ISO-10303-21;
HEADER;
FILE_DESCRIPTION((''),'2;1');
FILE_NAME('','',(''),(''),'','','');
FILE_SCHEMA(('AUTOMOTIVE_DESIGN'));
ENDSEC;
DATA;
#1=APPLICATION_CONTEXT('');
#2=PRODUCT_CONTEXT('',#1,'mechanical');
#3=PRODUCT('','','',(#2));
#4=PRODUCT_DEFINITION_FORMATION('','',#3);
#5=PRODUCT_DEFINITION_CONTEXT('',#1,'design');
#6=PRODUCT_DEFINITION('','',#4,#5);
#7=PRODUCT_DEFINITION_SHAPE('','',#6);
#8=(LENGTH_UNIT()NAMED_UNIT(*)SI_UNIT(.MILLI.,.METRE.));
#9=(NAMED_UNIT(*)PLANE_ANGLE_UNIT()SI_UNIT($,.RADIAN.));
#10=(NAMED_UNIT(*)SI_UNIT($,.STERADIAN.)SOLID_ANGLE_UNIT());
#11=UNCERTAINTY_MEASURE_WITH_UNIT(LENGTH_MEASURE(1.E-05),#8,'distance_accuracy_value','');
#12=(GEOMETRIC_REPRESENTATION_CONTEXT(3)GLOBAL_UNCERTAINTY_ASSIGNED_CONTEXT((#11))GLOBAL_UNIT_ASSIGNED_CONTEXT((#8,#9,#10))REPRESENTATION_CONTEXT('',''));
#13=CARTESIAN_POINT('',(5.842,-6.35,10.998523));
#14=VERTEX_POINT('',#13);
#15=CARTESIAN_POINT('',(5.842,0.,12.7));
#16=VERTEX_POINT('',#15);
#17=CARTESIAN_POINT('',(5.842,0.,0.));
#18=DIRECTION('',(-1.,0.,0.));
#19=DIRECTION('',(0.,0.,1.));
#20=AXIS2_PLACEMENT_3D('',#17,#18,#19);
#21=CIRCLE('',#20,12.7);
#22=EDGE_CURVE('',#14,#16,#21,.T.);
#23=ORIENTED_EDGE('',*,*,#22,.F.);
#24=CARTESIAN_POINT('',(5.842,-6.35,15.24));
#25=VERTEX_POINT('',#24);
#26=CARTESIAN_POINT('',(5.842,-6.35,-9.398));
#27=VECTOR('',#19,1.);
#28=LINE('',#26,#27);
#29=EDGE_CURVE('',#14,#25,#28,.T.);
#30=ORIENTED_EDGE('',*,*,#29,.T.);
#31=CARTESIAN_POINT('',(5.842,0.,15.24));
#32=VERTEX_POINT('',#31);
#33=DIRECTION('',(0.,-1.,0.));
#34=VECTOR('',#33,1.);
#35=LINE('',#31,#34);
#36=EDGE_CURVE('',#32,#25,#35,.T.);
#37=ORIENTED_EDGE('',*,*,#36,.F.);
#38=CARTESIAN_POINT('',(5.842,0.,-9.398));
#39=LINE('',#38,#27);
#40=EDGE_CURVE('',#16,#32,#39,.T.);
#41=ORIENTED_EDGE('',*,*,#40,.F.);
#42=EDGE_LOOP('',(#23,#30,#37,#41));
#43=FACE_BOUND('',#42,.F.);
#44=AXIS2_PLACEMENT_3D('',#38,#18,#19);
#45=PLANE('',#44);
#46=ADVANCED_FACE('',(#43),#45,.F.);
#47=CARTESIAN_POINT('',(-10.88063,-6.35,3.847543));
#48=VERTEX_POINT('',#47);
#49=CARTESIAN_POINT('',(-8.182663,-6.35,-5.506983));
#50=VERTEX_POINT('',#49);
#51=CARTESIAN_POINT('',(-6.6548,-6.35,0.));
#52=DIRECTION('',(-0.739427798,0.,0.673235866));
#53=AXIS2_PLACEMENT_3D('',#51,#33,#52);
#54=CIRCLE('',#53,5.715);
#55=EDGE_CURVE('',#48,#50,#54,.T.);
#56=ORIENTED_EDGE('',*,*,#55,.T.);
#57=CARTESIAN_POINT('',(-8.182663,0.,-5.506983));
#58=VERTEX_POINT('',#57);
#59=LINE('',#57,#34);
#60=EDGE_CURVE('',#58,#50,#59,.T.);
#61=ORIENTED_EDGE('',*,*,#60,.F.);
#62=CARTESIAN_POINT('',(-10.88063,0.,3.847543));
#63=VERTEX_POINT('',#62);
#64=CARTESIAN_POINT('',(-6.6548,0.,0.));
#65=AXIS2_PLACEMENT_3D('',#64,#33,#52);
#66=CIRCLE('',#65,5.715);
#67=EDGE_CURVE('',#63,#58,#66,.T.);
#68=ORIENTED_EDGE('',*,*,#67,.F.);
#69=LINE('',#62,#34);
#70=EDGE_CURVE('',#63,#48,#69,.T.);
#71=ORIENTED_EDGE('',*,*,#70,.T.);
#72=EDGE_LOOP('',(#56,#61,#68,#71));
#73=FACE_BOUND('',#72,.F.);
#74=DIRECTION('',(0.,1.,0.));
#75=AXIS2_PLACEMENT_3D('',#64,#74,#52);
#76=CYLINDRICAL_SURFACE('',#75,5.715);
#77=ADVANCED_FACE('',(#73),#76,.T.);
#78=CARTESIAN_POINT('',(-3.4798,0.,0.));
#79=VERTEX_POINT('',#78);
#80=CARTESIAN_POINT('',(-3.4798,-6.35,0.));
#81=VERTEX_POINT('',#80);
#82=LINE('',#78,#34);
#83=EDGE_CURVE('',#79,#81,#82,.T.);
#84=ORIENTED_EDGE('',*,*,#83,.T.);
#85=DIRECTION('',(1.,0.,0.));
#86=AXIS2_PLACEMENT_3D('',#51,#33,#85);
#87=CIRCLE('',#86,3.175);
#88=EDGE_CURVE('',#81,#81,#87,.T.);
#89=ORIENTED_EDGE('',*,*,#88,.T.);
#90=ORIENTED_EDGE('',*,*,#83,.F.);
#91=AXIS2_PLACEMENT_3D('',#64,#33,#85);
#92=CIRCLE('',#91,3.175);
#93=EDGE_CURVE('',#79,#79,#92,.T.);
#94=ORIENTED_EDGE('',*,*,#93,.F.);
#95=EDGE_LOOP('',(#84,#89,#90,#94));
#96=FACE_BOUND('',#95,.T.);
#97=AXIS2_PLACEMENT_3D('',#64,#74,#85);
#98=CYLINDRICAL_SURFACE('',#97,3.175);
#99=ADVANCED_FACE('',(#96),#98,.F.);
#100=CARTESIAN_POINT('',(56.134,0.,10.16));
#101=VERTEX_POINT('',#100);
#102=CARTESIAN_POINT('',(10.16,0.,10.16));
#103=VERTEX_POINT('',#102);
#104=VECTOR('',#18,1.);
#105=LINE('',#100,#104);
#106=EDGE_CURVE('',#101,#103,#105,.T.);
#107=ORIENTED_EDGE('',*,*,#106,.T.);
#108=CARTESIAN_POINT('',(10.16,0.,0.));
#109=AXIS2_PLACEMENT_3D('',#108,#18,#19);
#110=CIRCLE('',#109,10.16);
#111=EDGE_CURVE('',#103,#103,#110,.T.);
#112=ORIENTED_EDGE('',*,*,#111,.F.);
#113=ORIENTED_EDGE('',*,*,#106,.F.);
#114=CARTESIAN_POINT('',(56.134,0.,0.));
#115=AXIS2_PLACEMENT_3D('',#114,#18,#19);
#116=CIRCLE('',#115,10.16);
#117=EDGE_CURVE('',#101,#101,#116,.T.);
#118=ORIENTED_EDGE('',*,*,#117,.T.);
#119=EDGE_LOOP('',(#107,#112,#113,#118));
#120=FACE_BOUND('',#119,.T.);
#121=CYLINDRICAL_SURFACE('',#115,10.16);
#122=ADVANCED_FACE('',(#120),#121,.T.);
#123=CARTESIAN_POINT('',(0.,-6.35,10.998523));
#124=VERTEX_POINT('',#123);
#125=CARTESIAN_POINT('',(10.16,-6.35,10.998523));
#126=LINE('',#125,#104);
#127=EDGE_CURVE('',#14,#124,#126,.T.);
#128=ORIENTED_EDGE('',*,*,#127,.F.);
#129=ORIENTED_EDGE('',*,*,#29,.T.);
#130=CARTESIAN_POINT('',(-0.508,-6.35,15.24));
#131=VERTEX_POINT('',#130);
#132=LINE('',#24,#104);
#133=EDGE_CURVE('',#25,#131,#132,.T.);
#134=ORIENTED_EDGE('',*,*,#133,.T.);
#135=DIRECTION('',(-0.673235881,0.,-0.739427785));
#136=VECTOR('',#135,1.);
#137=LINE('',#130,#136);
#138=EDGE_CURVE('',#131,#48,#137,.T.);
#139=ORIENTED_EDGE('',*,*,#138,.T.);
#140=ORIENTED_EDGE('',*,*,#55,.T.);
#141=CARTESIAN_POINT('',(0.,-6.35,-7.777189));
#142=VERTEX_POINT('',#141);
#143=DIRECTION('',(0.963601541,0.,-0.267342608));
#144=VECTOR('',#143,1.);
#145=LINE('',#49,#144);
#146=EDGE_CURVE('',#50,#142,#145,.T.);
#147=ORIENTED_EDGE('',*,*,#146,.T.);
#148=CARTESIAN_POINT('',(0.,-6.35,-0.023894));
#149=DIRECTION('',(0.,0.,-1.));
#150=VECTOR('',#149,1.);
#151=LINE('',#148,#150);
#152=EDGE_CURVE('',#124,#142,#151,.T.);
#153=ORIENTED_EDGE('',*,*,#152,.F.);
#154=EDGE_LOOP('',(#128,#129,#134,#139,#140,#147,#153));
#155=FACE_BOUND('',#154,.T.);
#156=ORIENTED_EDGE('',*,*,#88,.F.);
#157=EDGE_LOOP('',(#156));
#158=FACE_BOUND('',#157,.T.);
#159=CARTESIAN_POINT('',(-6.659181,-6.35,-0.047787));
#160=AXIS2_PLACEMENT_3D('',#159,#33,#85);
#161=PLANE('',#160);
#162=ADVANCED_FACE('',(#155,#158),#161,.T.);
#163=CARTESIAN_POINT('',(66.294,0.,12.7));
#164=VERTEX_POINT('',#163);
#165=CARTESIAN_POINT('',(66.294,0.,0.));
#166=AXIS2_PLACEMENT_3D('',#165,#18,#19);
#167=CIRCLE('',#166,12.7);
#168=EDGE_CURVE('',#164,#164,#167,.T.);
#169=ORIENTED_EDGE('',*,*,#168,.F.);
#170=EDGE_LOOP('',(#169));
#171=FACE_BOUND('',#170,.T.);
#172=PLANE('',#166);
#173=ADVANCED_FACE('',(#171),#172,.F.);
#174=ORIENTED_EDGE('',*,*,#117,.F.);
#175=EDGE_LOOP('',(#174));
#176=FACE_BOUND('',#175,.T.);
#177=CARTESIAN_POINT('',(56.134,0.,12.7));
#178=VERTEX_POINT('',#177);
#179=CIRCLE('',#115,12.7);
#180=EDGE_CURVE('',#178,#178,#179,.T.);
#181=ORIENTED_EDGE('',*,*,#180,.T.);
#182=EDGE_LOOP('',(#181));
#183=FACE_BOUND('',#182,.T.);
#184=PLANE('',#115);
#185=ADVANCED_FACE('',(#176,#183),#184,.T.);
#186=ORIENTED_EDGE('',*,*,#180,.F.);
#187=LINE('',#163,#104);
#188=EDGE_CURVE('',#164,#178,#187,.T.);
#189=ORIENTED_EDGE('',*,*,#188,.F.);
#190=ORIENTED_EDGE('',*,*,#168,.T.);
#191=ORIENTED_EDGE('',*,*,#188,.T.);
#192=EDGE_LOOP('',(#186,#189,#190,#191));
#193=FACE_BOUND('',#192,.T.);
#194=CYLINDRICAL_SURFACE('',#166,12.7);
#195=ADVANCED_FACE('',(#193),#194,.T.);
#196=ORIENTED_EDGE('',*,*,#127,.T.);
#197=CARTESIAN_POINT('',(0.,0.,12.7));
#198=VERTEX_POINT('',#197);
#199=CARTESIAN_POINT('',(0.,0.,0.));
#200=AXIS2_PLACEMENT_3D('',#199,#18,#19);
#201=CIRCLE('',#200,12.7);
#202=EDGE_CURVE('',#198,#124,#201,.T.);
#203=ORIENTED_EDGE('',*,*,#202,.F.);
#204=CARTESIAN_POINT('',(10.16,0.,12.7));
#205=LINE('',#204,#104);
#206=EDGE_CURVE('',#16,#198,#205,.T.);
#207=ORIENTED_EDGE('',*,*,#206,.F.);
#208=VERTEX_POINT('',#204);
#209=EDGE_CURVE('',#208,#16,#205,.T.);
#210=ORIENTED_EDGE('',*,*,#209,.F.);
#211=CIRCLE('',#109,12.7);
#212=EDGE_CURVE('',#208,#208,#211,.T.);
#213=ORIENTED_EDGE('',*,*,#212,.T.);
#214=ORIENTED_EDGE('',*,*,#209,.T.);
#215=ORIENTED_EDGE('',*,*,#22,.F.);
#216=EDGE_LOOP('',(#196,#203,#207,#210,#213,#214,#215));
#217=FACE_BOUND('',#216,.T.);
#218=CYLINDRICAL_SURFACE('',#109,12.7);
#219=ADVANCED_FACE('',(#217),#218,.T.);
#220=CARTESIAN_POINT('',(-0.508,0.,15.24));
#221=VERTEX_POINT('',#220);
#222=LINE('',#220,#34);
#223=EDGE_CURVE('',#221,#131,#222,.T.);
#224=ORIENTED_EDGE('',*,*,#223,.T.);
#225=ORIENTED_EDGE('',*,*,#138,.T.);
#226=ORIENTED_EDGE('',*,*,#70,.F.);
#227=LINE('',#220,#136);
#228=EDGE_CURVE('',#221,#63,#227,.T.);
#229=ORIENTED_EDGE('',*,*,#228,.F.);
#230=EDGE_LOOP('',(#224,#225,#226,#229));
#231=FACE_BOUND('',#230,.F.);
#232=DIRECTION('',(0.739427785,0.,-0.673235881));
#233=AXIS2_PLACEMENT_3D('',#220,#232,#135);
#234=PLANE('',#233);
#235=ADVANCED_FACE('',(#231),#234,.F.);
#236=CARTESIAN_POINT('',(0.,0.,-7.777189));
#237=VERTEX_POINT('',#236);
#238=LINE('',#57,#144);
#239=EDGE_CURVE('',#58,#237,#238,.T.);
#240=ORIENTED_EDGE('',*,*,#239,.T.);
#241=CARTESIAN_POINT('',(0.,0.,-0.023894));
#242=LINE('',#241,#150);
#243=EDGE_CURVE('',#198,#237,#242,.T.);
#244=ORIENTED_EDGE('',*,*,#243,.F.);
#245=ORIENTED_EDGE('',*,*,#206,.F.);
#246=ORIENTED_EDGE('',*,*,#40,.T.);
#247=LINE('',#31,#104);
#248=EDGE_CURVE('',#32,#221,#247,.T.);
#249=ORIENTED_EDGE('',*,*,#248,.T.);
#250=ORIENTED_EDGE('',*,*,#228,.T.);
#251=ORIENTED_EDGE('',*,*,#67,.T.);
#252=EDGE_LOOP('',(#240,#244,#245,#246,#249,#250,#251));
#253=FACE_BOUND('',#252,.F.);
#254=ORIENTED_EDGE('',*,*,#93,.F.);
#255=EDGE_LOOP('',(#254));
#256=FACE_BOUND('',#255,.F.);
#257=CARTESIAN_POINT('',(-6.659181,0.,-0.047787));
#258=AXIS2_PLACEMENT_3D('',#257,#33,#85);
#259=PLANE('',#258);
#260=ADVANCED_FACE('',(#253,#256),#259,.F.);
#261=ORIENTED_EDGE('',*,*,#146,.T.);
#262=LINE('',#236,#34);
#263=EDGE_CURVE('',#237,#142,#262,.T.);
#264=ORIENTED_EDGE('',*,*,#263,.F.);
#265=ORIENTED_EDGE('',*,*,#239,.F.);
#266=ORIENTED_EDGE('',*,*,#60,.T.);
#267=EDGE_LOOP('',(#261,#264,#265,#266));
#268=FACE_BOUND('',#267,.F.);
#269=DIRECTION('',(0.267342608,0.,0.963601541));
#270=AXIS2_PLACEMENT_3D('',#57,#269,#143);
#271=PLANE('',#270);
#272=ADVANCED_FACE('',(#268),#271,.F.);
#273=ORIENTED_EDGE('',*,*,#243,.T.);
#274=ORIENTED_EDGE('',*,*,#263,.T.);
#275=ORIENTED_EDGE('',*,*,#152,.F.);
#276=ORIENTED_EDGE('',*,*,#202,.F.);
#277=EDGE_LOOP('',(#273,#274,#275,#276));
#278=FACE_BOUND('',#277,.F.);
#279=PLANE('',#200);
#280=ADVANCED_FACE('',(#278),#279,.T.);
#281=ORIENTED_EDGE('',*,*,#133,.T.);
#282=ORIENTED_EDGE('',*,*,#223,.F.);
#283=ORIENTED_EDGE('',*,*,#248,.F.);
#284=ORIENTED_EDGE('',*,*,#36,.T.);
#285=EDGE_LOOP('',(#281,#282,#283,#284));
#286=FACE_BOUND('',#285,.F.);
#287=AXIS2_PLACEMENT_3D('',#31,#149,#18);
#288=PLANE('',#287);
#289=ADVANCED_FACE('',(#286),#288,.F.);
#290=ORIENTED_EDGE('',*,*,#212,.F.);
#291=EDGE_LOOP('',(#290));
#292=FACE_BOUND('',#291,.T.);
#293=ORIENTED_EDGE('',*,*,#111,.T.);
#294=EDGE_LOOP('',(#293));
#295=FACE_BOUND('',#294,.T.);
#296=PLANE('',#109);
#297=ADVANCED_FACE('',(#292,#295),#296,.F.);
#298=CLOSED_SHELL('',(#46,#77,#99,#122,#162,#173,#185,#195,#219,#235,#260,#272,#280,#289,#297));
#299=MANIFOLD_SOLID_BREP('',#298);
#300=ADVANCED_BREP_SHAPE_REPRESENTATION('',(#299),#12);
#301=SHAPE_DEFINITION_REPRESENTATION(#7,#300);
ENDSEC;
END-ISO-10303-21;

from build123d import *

# Parameters (mm, degrees)
F0_W     = 5.842
F0_H     = 12.7
F0_R     = 3.175
F2_DEPTH = 6.35


with BuildPart() as f1:
    # F0 (on Front) → F1 (revolve)
    with BuildSketch(Plane.XZ):
        Polygon((5.842, 12.7), (5.842, 0), (66.294, 0), (66.294, 12.7), (56.134, 12.7), (56.134, 10.16), (10.16, 10.16), (10.16, 12.7), align=None)
        with Locations((2.921, 6.35)):
            Rectangle(F0_W, F0_H)
    revolve(axis=Axis((33.147, 0, 0), (-1, 0, 0)))

    # F0 (on Front) → F2 (join)
    with BuildSketch(Plane.XZ):
        with BuildLine():
            ThreePointArc((-8.182663, -5.506983), (-3.195791, -4.549339), (-0.9398, 0))
            ThreePointArc((-0.9398, 0), (-4.591961, 5.329721), (-10.88063, 3.847543))
            ThreePointArc((-10.88063, 3.847543), (-12.145978, -1.583727), (-8.182663, -5.506983))
        make_face()
        with Locations((-6.6548, 0)):
            Circle(F0_R, mode=Mode.SUBTRACT)
        with BuildLine():
            Line((-0.9398, 0), (0, 0))
            Line((0, 0), (0, 12.7))
            Line((0, 12.7), (5.842, 12.7))
            Line((5.842, 12.7), (5.842, 15.24))
            Line((5.842, 15.24), (-0.508, 15.24))
            Line((-0.508, 15.24), (-10.88063, 3.847543))
            ThreePointArc((-10.88063, 3.847543), (-4.591961, 5.329721), (-0.9398, 0))
        make_face()
        with BuildLine():
            Line((5.842, 0), (0, 0))
            Line((0, 0), (-0.9398, 0))
            ThreePointArc((-0.9398, 0), (-3.195791, -4.549339), (-8.182663, -5.506983))
            Line((-8.182663, -5.506983), (5.842, -9.398))
            Line((5.842, -9.398), (5.842, 0))
        make_face()
        with Locations((2.921, 6.35)):
            Rectangle(F0_W, F0_H)
    extrude(amount=F2_DEPTH)


solid = f1.part
